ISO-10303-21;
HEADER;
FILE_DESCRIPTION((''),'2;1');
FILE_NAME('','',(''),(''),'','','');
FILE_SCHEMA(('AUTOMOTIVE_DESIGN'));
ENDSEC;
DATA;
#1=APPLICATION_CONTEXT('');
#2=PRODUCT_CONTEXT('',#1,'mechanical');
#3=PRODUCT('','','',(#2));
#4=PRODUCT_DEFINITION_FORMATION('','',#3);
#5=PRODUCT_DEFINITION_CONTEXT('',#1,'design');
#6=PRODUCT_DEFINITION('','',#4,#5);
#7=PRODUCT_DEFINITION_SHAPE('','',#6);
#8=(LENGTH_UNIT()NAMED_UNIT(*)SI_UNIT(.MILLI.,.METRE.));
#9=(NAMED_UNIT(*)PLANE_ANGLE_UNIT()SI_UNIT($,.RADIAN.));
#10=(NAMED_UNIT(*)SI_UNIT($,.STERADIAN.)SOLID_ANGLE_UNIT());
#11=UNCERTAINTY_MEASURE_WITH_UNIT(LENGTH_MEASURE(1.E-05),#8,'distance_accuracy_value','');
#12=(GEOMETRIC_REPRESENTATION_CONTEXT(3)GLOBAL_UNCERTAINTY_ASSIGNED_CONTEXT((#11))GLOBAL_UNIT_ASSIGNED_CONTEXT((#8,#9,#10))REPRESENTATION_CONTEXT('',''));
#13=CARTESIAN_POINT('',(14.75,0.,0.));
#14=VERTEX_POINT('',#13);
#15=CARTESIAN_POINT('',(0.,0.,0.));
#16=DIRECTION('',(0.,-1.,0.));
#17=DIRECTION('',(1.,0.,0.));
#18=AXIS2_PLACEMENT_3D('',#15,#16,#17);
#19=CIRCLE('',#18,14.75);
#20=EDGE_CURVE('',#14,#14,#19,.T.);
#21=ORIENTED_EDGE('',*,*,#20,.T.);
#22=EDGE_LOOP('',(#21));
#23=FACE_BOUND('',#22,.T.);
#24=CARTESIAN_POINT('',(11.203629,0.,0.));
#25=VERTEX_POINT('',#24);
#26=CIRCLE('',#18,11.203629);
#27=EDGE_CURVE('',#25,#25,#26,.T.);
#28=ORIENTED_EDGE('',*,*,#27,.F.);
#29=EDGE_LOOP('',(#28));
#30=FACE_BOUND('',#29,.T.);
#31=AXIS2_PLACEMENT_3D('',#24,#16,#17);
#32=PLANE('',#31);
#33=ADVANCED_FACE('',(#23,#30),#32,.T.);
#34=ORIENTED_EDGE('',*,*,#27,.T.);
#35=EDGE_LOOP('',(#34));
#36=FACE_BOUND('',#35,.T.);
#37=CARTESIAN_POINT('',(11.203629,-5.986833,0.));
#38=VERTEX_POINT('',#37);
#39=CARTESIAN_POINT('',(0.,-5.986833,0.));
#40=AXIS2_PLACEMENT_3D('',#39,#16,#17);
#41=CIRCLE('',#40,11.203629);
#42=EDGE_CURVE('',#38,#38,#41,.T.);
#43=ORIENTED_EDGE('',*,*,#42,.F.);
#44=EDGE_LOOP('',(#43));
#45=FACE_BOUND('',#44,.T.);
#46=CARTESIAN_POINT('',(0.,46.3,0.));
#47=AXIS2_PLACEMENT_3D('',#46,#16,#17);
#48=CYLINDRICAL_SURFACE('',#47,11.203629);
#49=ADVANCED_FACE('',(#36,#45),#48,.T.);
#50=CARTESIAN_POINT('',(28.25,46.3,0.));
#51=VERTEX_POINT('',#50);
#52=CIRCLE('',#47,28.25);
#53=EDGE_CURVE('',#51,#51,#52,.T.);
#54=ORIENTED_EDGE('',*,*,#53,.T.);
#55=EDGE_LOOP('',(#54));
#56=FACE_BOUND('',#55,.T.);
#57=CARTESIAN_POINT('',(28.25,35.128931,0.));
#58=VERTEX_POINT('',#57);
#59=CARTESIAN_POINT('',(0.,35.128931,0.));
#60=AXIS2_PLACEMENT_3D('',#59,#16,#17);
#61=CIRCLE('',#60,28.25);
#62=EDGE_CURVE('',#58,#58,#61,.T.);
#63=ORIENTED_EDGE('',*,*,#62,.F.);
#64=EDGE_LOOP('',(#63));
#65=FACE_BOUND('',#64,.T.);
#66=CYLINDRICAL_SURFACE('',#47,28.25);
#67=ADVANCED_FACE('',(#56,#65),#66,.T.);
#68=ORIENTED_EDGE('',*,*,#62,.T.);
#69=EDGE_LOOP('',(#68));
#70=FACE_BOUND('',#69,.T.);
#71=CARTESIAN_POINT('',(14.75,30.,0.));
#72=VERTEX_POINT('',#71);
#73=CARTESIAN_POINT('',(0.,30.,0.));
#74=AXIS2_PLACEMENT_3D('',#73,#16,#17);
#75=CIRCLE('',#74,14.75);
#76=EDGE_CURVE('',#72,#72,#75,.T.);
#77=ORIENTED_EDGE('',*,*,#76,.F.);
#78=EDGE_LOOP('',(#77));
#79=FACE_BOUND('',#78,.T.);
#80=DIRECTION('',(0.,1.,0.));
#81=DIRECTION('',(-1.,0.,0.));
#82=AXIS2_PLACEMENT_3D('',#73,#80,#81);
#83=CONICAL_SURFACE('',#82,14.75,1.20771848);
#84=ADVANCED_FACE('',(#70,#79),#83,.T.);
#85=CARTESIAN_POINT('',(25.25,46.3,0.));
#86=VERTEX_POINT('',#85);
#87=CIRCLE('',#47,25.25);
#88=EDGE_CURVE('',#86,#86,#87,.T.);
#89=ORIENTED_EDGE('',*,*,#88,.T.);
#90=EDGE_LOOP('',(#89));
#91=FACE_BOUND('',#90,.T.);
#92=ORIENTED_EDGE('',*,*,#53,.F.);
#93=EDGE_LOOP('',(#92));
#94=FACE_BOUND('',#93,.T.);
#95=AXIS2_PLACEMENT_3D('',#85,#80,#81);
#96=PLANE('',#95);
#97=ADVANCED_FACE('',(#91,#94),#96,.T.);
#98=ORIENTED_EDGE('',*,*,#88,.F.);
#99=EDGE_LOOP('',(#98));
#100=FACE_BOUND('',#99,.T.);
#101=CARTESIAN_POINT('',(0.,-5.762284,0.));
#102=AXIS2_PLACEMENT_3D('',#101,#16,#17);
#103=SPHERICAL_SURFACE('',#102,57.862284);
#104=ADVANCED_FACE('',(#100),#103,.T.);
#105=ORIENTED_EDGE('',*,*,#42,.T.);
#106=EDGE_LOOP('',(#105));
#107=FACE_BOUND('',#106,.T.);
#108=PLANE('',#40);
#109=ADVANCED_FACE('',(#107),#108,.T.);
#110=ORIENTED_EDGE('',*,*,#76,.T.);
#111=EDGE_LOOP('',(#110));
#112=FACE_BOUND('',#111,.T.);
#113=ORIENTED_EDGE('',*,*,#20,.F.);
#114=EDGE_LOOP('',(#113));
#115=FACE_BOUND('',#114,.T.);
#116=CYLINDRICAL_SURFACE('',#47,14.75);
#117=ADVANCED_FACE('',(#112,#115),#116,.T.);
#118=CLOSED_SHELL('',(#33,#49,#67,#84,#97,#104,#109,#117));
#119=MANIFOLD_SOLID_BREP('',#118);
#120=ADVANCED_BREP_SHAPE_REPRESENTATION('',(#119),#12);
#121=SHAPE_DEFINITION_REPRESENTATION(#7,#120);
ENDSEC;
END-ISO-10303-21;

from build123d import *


with BuildPart() as part:
    # Esquisse1 → Révolution1 (revolve)
    with BuildSketch(Plane.XY):
        with BuildLine():
            Line((14.75, 0), (14.75, 30))
            Line((14.75, 30), (28.25, 35.128931493))
            Line((28.25, 35.128931493), (28.25, 46.3))
            Line((28.25, 46.3), (25.25, 46.3))
            ThreePointArc((25.25, 46.3), (12.953788056, 50.631361796), (0, 52.1))
            Line((0, 52.1), (0, 46.3))
            Line((0, 46.3), (0, -5.98683287))
            Line((0, -5.98683287), (11.203629045, -5.98683287))
            Line((11.203629045, -5.98683287), (11.203629045, 0))
            Line((11.203629045, 0), (14.75, 0))
        make_face()
    revolve(axis=Axis((0, 46.3, 0), (0, 1, 0)))


solid = part.part
